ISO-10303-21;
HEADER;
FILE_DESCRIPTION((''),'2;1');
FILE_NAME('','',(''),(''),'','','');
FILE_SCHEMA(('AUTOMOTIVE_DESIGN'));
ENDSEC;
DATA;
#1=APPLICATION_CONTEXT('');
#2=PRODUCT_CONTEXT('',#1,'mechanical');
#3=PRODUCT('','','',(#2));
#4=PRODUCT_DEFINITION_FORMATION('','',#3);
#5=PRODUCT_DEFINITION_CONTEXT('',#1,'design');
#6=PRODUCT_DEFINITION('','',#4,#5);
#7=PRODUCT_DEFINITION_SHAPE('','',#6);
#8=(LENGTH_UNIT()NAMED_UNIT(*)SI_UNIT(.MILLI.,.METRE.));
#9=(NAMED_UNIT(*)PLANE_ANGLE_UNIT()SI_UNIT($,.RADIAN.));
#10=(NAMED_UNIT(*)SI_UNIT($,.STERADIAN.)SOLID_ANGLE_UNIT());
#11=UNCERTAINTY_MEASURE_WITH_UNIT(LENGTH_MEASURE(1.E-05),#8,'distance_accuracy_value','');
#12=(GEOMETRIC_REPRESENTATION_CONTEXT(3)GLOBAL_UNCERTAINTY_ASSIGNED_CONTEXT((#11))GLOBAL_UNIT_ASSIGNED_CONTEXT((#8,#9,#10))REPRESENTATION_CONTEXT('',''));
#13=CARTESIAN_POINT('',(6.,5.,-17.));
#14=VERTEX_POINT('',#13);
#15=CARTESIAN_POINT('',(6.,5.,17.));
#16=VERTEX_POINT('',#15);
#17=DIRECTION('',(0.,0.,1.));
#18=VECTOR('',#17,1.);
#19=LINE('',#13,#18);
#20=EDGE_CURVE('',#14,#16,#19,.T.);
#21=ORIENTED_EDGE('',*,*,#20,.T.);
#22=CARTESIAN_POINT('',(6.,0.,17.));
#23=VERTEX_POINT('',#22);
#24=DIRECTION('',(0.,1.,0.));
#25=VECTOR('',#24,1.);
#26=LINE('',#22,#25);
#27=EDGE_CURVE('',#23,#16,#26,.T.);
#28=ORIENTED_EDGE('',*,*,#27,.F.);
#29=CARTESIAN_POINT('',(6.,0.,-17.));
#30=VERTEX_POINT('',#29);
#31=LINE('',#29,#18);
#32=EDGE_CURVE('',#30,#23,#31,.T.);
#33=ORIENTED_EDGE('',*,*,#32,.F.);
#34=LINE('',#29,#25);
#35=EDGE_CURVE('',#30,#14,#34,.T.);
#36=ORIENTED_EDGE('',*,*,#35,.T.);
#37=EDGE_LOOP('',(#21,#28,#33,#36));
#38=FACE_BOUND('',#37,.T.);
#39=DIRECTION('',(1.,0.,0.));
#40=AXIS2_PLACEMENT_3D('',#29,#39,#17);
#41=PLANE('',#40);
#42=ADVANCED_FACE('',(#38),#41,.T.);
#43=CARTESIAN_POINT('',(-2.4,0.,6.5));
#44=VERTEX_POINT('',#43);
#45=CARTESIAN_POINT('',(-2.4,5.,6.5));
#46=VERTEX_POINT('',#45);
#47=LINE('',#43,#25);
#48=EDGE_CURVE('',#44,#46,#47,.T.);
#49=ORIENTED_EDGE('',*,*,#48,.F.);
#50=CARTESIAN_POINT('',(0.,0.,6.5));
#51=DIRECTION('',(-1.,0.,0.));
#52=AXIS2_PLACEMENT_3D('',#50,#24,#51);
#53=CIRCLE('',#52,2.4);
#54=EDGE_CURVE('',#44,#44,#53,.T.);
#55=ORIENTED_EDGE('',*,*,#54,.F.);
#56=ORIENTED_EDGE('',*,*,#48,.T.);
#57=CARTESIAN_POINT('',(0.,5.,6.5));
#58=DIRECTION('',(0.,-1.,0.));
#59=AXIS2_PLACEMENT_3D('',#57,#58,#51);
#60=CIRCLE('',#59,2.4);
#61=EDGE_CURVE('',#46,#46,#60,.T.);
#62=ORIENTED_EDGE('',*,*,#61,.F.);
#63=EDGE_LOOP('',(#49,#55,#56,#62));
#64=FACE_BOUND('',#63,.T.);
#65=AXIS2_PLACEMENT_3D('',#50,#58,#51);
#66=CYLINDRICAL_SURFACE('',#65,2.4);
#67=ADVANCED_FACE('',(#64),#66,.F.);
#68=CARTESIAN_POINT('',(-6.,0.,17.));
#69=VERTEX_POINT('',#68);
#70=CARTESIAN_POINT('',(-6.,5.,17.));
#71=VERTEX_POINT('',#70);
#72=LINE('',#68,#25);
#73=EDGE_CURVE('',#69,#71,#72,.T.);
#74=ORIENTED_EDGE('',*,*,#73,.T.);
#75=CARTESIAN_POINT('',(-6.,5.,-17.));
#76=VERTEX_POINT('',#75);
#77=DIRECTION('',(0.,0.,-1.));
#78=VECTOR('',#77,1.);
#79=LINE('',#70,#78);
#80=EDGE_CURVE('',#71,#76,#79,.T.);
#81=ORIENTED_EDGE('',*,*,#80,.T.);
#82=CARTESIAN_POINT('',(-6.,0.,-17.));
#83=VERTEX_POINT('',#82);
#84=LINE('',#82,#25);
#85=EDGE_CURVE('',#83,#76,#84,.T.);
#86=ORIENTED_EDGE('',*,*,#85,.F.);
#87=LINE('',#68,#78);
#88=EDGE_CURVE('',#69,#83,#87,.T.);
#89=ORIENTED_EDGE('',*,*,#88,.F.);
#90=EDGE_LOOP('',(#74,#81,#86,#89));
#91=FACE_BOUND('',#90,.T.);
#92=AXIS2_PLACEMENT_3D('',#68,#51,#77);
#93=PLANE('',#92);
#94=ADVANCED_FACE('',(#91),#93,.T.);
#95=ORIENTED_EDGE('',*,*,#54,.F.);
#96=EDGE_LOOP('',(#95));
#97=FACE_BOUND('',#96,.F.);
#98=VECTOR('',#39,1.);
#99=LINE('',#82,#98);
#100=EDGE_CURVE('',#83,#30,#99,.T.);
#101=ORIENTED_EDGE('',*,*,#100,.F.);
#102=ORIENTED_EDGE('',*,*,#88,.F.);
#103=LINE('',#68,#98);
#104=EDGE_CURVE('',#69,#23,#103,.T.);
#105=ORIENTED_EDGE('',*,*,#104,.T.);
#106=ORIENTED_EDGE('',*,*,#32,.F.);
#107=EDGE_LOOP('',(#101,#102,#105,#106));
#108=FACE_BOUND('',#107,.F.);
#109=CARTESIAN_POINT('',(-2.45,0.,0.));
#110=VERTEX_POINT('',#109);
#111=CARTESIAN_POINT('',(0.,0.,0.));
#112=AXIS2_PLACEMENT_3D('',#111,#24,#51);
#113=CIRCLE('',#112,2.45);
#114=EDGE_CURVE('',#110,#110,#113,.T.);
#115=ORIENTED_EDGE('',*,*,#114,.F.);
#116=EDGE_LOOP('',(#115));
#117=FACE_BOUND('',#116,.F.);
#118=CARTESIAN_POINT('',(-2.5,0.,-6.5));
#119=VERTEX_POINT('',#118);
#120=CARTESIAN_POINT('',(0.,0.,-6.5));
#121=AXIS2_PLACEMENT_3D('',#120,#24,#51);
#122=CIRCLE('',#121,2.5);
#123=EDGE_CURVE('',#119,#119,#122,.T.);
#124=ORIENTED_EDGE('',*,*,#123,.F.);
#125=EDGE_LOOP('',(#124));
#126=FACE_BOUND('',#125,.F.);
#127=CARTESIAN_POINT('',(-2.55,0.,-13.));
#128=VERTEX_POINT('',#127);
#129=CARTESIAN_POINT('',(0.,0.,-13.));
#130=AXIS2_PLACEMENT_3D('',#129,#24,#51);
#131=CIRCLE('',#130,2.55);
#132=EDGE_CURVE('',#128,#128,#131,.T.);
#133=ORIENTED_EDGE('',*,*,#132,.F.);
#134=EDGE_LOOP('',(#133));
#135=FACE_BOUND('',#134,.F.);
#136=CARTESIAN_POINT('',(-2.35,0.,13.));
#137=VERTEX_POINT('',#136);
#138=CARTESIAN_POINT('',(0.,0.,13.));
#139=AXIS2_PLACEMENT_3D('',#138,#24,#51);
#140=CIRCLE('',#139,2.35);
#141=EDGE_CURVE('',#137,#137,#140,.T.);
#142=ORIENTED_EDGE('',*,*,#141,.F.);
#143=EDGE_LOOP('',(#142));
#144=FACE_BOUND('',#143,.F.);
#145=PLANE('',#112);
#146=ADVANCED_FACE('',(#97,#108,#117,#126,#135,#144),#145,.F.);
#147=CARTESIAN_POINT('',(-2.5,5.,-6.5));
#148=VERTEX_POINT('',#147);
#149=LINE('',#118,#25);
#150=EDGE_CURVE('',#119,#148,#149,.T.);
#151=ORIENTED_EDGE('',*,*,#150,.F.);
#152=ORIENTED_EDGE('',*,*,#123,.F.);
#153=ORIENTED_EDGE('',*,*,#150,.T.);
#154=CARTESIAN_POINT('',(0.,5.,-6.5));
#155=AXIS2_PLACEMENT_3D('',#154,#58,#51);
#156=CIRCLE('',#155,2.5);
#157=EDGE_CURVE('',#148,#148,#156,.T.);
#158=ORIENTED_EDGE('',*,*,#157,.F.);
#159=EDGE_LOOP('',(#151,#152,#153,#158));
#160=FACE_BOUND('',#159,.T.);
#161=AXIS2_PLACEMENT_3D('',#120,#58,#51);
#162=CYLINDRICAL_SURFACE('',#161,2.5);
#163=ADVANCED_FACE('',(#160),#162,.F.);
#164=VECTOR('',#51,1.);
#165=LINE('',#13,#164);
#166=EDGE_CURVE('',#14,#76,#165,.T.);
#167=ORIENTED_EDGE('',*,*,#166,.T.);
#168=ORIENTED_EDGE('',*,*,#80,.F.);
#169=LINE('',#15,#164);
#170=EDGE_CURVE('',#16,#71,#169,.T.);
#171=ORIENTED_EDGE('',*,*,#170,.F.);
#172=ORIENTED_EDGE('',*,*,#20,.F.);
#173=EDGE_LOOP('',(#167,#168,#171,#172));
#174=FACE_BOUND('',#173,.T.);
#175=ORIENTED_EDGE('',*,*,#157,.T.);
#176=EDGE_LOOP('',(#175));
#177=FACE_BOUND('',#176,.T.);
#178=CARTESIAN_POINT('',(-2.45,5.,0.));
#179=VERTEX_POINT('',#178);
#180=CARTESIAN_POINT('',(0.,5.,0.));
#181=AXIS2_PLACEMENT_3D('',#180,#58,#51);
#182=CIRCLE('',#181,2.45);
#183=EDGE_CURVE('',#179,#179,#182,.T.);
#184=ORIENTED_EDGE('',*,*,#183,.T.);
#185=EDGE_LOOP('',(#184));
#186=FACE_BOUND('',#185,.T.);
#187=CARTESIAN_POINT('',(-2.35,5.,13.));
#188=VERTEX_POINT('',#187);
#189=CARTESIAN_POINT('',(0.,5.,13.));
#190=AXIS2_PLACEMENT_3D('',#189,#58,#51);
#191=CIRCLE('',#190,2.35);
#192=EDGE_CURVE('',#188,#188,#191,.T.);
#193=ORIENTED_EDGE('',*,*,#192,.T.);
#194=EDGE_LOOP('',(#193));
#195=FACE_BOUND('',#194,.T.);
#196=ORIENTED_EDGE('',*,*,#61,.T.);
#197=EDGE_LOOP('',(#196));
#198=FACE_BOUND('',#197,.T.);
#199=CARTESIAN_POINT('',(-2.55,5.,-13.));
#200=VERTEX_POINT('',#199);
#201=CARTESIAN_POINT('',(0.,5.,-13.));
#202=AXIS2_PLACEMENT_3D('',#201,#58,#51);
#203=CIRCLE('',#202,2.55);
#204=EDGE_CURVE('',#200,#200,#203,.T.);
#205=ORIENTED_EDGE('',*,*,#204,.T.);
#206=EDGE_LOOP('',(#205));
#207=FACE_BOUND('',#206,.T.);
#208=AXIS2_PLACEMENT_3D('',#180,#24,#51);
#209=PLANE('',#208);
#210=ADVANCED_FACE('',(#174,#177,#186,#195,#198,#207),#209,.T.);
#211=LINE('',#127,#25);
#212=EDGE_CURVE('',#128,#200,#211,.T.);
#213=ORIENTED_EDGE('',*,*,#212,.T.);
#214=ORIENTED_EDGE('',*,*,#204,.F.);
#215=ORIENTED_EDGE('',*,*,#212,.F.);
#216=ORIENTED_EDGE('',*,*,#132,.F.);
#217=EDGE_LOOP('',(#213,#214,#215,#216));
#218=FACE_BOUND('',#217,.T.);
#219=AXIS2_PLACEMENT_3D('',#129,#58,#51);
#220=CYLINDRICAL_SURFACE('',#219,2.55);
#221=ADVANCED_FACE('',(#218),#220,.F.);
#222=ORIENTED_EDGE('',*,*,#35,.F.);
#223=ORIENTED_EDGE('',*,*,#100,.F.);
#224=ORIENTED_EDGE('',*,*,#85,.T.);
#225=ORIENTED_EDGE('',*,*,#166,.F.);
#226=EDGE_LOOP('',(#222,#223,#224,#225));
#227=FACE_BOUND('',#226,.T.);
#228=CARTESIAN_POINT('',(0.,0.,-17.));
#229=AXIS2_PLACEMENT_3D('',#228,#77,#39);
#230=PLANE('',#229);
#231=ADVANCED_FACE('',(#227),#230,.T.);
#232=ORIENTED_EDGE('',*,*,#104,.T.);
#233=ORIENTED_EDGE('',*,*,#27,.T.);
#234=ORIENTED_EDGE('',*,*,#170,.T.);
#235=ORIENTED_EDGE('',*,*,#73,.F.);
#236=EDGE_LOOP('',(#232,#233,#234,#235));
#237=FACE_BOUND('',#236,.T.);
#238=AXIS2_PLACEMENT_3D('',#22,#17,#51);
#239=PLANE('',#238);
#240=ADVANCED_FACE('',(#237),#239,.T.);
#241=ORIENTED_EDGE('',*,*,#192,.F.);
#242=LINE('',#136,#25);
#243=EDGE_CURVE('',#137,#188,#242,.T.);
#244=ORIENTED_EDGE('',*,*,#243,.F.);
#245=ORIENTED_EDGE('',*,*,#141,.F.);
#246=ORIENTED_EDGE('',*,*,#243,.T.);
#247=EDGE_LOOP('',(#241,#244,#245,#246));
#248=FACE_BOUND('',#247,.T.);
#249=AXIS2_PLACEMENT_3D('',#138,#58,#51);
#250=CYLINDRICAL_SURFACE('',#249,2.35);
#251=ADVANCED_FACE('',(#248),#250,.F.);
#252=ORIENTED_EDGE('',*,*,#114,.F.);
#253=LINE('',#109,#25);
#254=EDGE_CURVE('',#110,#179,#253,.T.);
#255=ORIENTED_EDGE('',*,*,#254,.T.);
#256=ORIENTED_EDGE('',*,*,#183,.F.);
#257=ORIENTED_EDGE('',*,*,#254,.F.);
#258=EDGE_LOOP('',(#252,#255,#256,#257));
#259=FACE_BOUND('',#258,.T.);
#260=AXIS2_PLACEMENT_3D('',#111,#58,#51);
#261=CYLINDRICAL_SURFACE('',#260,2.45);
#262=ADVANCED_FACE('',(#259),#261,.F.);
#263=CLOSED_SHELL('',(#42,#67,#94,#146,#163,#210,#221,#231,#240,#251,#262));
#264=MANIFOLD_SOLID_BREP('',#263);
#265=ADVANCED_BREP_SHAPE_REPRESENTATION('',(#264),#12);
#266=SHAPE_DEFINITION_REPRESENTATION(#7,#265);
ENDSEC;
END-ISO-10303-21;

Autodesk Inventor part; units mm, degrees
ref_plane "YZ Plane" through (0, 0, 0) normal (1, 0, 0) x (0, 1, 0)
ref_plane "XZ Plane" through (0, 0, 0) normal (0, 1, 0) x (-1, 0, 0)
ref_plane "XY Plane" through (0, 0, 0) normal (0, 0, 1) x (1, 0, 0)
sketch "Sketch1" plane through (0, 0, 0) normal (0, 1, 0) x (-1, 0, 0)
  line L0 (-6, 17) -> (6, 17)
  line L1 (6, 17) -> (6, -17)
  line L2 (6, -17) -> (-6, -17)
  line L3 (-6, -17) -> (-6, 17)
  line L4 (-6, 17) -> (6, -17) construction
  line L5 (6, 17) -> (-6, -17) construction
  line L6 (0, 17) -> (0, -17)
  circle A0 centre (0, -13) radius 2.55
  circle A1 centre (0, -6.5) radius 2.5
  circle A2 centre (0, 0) radius 2.45
  circle A3 centre (0, 6.5) radius 2.4
  circle A4 centre (0, 13) radius 2.35
  point P0 (0, 0)
  dimension "d0" = 12
  dimension "d1" = 34
  dimension "d2" = 4
  dimension "d3" = 5.1
  dimension "d4" = 6.5
  dimension "d5" = 5
  dimension "d6" = 6.5
  dimension "d7" = 4.9
  dimension "d8" = 6.5
  dimension "d9" = 4.8
  dimension "d10" = 6.5
  dimension "d11" = 4.7
extrude "Extrusion1" add sketch "Sketch1" along normal blind 5 contours L0 L6 A4 A3 A2 A1 A0 L2 L3 | L0 L1 L2 L6 A0 A1 A2 A3 A4
properties part number "Testbed"
